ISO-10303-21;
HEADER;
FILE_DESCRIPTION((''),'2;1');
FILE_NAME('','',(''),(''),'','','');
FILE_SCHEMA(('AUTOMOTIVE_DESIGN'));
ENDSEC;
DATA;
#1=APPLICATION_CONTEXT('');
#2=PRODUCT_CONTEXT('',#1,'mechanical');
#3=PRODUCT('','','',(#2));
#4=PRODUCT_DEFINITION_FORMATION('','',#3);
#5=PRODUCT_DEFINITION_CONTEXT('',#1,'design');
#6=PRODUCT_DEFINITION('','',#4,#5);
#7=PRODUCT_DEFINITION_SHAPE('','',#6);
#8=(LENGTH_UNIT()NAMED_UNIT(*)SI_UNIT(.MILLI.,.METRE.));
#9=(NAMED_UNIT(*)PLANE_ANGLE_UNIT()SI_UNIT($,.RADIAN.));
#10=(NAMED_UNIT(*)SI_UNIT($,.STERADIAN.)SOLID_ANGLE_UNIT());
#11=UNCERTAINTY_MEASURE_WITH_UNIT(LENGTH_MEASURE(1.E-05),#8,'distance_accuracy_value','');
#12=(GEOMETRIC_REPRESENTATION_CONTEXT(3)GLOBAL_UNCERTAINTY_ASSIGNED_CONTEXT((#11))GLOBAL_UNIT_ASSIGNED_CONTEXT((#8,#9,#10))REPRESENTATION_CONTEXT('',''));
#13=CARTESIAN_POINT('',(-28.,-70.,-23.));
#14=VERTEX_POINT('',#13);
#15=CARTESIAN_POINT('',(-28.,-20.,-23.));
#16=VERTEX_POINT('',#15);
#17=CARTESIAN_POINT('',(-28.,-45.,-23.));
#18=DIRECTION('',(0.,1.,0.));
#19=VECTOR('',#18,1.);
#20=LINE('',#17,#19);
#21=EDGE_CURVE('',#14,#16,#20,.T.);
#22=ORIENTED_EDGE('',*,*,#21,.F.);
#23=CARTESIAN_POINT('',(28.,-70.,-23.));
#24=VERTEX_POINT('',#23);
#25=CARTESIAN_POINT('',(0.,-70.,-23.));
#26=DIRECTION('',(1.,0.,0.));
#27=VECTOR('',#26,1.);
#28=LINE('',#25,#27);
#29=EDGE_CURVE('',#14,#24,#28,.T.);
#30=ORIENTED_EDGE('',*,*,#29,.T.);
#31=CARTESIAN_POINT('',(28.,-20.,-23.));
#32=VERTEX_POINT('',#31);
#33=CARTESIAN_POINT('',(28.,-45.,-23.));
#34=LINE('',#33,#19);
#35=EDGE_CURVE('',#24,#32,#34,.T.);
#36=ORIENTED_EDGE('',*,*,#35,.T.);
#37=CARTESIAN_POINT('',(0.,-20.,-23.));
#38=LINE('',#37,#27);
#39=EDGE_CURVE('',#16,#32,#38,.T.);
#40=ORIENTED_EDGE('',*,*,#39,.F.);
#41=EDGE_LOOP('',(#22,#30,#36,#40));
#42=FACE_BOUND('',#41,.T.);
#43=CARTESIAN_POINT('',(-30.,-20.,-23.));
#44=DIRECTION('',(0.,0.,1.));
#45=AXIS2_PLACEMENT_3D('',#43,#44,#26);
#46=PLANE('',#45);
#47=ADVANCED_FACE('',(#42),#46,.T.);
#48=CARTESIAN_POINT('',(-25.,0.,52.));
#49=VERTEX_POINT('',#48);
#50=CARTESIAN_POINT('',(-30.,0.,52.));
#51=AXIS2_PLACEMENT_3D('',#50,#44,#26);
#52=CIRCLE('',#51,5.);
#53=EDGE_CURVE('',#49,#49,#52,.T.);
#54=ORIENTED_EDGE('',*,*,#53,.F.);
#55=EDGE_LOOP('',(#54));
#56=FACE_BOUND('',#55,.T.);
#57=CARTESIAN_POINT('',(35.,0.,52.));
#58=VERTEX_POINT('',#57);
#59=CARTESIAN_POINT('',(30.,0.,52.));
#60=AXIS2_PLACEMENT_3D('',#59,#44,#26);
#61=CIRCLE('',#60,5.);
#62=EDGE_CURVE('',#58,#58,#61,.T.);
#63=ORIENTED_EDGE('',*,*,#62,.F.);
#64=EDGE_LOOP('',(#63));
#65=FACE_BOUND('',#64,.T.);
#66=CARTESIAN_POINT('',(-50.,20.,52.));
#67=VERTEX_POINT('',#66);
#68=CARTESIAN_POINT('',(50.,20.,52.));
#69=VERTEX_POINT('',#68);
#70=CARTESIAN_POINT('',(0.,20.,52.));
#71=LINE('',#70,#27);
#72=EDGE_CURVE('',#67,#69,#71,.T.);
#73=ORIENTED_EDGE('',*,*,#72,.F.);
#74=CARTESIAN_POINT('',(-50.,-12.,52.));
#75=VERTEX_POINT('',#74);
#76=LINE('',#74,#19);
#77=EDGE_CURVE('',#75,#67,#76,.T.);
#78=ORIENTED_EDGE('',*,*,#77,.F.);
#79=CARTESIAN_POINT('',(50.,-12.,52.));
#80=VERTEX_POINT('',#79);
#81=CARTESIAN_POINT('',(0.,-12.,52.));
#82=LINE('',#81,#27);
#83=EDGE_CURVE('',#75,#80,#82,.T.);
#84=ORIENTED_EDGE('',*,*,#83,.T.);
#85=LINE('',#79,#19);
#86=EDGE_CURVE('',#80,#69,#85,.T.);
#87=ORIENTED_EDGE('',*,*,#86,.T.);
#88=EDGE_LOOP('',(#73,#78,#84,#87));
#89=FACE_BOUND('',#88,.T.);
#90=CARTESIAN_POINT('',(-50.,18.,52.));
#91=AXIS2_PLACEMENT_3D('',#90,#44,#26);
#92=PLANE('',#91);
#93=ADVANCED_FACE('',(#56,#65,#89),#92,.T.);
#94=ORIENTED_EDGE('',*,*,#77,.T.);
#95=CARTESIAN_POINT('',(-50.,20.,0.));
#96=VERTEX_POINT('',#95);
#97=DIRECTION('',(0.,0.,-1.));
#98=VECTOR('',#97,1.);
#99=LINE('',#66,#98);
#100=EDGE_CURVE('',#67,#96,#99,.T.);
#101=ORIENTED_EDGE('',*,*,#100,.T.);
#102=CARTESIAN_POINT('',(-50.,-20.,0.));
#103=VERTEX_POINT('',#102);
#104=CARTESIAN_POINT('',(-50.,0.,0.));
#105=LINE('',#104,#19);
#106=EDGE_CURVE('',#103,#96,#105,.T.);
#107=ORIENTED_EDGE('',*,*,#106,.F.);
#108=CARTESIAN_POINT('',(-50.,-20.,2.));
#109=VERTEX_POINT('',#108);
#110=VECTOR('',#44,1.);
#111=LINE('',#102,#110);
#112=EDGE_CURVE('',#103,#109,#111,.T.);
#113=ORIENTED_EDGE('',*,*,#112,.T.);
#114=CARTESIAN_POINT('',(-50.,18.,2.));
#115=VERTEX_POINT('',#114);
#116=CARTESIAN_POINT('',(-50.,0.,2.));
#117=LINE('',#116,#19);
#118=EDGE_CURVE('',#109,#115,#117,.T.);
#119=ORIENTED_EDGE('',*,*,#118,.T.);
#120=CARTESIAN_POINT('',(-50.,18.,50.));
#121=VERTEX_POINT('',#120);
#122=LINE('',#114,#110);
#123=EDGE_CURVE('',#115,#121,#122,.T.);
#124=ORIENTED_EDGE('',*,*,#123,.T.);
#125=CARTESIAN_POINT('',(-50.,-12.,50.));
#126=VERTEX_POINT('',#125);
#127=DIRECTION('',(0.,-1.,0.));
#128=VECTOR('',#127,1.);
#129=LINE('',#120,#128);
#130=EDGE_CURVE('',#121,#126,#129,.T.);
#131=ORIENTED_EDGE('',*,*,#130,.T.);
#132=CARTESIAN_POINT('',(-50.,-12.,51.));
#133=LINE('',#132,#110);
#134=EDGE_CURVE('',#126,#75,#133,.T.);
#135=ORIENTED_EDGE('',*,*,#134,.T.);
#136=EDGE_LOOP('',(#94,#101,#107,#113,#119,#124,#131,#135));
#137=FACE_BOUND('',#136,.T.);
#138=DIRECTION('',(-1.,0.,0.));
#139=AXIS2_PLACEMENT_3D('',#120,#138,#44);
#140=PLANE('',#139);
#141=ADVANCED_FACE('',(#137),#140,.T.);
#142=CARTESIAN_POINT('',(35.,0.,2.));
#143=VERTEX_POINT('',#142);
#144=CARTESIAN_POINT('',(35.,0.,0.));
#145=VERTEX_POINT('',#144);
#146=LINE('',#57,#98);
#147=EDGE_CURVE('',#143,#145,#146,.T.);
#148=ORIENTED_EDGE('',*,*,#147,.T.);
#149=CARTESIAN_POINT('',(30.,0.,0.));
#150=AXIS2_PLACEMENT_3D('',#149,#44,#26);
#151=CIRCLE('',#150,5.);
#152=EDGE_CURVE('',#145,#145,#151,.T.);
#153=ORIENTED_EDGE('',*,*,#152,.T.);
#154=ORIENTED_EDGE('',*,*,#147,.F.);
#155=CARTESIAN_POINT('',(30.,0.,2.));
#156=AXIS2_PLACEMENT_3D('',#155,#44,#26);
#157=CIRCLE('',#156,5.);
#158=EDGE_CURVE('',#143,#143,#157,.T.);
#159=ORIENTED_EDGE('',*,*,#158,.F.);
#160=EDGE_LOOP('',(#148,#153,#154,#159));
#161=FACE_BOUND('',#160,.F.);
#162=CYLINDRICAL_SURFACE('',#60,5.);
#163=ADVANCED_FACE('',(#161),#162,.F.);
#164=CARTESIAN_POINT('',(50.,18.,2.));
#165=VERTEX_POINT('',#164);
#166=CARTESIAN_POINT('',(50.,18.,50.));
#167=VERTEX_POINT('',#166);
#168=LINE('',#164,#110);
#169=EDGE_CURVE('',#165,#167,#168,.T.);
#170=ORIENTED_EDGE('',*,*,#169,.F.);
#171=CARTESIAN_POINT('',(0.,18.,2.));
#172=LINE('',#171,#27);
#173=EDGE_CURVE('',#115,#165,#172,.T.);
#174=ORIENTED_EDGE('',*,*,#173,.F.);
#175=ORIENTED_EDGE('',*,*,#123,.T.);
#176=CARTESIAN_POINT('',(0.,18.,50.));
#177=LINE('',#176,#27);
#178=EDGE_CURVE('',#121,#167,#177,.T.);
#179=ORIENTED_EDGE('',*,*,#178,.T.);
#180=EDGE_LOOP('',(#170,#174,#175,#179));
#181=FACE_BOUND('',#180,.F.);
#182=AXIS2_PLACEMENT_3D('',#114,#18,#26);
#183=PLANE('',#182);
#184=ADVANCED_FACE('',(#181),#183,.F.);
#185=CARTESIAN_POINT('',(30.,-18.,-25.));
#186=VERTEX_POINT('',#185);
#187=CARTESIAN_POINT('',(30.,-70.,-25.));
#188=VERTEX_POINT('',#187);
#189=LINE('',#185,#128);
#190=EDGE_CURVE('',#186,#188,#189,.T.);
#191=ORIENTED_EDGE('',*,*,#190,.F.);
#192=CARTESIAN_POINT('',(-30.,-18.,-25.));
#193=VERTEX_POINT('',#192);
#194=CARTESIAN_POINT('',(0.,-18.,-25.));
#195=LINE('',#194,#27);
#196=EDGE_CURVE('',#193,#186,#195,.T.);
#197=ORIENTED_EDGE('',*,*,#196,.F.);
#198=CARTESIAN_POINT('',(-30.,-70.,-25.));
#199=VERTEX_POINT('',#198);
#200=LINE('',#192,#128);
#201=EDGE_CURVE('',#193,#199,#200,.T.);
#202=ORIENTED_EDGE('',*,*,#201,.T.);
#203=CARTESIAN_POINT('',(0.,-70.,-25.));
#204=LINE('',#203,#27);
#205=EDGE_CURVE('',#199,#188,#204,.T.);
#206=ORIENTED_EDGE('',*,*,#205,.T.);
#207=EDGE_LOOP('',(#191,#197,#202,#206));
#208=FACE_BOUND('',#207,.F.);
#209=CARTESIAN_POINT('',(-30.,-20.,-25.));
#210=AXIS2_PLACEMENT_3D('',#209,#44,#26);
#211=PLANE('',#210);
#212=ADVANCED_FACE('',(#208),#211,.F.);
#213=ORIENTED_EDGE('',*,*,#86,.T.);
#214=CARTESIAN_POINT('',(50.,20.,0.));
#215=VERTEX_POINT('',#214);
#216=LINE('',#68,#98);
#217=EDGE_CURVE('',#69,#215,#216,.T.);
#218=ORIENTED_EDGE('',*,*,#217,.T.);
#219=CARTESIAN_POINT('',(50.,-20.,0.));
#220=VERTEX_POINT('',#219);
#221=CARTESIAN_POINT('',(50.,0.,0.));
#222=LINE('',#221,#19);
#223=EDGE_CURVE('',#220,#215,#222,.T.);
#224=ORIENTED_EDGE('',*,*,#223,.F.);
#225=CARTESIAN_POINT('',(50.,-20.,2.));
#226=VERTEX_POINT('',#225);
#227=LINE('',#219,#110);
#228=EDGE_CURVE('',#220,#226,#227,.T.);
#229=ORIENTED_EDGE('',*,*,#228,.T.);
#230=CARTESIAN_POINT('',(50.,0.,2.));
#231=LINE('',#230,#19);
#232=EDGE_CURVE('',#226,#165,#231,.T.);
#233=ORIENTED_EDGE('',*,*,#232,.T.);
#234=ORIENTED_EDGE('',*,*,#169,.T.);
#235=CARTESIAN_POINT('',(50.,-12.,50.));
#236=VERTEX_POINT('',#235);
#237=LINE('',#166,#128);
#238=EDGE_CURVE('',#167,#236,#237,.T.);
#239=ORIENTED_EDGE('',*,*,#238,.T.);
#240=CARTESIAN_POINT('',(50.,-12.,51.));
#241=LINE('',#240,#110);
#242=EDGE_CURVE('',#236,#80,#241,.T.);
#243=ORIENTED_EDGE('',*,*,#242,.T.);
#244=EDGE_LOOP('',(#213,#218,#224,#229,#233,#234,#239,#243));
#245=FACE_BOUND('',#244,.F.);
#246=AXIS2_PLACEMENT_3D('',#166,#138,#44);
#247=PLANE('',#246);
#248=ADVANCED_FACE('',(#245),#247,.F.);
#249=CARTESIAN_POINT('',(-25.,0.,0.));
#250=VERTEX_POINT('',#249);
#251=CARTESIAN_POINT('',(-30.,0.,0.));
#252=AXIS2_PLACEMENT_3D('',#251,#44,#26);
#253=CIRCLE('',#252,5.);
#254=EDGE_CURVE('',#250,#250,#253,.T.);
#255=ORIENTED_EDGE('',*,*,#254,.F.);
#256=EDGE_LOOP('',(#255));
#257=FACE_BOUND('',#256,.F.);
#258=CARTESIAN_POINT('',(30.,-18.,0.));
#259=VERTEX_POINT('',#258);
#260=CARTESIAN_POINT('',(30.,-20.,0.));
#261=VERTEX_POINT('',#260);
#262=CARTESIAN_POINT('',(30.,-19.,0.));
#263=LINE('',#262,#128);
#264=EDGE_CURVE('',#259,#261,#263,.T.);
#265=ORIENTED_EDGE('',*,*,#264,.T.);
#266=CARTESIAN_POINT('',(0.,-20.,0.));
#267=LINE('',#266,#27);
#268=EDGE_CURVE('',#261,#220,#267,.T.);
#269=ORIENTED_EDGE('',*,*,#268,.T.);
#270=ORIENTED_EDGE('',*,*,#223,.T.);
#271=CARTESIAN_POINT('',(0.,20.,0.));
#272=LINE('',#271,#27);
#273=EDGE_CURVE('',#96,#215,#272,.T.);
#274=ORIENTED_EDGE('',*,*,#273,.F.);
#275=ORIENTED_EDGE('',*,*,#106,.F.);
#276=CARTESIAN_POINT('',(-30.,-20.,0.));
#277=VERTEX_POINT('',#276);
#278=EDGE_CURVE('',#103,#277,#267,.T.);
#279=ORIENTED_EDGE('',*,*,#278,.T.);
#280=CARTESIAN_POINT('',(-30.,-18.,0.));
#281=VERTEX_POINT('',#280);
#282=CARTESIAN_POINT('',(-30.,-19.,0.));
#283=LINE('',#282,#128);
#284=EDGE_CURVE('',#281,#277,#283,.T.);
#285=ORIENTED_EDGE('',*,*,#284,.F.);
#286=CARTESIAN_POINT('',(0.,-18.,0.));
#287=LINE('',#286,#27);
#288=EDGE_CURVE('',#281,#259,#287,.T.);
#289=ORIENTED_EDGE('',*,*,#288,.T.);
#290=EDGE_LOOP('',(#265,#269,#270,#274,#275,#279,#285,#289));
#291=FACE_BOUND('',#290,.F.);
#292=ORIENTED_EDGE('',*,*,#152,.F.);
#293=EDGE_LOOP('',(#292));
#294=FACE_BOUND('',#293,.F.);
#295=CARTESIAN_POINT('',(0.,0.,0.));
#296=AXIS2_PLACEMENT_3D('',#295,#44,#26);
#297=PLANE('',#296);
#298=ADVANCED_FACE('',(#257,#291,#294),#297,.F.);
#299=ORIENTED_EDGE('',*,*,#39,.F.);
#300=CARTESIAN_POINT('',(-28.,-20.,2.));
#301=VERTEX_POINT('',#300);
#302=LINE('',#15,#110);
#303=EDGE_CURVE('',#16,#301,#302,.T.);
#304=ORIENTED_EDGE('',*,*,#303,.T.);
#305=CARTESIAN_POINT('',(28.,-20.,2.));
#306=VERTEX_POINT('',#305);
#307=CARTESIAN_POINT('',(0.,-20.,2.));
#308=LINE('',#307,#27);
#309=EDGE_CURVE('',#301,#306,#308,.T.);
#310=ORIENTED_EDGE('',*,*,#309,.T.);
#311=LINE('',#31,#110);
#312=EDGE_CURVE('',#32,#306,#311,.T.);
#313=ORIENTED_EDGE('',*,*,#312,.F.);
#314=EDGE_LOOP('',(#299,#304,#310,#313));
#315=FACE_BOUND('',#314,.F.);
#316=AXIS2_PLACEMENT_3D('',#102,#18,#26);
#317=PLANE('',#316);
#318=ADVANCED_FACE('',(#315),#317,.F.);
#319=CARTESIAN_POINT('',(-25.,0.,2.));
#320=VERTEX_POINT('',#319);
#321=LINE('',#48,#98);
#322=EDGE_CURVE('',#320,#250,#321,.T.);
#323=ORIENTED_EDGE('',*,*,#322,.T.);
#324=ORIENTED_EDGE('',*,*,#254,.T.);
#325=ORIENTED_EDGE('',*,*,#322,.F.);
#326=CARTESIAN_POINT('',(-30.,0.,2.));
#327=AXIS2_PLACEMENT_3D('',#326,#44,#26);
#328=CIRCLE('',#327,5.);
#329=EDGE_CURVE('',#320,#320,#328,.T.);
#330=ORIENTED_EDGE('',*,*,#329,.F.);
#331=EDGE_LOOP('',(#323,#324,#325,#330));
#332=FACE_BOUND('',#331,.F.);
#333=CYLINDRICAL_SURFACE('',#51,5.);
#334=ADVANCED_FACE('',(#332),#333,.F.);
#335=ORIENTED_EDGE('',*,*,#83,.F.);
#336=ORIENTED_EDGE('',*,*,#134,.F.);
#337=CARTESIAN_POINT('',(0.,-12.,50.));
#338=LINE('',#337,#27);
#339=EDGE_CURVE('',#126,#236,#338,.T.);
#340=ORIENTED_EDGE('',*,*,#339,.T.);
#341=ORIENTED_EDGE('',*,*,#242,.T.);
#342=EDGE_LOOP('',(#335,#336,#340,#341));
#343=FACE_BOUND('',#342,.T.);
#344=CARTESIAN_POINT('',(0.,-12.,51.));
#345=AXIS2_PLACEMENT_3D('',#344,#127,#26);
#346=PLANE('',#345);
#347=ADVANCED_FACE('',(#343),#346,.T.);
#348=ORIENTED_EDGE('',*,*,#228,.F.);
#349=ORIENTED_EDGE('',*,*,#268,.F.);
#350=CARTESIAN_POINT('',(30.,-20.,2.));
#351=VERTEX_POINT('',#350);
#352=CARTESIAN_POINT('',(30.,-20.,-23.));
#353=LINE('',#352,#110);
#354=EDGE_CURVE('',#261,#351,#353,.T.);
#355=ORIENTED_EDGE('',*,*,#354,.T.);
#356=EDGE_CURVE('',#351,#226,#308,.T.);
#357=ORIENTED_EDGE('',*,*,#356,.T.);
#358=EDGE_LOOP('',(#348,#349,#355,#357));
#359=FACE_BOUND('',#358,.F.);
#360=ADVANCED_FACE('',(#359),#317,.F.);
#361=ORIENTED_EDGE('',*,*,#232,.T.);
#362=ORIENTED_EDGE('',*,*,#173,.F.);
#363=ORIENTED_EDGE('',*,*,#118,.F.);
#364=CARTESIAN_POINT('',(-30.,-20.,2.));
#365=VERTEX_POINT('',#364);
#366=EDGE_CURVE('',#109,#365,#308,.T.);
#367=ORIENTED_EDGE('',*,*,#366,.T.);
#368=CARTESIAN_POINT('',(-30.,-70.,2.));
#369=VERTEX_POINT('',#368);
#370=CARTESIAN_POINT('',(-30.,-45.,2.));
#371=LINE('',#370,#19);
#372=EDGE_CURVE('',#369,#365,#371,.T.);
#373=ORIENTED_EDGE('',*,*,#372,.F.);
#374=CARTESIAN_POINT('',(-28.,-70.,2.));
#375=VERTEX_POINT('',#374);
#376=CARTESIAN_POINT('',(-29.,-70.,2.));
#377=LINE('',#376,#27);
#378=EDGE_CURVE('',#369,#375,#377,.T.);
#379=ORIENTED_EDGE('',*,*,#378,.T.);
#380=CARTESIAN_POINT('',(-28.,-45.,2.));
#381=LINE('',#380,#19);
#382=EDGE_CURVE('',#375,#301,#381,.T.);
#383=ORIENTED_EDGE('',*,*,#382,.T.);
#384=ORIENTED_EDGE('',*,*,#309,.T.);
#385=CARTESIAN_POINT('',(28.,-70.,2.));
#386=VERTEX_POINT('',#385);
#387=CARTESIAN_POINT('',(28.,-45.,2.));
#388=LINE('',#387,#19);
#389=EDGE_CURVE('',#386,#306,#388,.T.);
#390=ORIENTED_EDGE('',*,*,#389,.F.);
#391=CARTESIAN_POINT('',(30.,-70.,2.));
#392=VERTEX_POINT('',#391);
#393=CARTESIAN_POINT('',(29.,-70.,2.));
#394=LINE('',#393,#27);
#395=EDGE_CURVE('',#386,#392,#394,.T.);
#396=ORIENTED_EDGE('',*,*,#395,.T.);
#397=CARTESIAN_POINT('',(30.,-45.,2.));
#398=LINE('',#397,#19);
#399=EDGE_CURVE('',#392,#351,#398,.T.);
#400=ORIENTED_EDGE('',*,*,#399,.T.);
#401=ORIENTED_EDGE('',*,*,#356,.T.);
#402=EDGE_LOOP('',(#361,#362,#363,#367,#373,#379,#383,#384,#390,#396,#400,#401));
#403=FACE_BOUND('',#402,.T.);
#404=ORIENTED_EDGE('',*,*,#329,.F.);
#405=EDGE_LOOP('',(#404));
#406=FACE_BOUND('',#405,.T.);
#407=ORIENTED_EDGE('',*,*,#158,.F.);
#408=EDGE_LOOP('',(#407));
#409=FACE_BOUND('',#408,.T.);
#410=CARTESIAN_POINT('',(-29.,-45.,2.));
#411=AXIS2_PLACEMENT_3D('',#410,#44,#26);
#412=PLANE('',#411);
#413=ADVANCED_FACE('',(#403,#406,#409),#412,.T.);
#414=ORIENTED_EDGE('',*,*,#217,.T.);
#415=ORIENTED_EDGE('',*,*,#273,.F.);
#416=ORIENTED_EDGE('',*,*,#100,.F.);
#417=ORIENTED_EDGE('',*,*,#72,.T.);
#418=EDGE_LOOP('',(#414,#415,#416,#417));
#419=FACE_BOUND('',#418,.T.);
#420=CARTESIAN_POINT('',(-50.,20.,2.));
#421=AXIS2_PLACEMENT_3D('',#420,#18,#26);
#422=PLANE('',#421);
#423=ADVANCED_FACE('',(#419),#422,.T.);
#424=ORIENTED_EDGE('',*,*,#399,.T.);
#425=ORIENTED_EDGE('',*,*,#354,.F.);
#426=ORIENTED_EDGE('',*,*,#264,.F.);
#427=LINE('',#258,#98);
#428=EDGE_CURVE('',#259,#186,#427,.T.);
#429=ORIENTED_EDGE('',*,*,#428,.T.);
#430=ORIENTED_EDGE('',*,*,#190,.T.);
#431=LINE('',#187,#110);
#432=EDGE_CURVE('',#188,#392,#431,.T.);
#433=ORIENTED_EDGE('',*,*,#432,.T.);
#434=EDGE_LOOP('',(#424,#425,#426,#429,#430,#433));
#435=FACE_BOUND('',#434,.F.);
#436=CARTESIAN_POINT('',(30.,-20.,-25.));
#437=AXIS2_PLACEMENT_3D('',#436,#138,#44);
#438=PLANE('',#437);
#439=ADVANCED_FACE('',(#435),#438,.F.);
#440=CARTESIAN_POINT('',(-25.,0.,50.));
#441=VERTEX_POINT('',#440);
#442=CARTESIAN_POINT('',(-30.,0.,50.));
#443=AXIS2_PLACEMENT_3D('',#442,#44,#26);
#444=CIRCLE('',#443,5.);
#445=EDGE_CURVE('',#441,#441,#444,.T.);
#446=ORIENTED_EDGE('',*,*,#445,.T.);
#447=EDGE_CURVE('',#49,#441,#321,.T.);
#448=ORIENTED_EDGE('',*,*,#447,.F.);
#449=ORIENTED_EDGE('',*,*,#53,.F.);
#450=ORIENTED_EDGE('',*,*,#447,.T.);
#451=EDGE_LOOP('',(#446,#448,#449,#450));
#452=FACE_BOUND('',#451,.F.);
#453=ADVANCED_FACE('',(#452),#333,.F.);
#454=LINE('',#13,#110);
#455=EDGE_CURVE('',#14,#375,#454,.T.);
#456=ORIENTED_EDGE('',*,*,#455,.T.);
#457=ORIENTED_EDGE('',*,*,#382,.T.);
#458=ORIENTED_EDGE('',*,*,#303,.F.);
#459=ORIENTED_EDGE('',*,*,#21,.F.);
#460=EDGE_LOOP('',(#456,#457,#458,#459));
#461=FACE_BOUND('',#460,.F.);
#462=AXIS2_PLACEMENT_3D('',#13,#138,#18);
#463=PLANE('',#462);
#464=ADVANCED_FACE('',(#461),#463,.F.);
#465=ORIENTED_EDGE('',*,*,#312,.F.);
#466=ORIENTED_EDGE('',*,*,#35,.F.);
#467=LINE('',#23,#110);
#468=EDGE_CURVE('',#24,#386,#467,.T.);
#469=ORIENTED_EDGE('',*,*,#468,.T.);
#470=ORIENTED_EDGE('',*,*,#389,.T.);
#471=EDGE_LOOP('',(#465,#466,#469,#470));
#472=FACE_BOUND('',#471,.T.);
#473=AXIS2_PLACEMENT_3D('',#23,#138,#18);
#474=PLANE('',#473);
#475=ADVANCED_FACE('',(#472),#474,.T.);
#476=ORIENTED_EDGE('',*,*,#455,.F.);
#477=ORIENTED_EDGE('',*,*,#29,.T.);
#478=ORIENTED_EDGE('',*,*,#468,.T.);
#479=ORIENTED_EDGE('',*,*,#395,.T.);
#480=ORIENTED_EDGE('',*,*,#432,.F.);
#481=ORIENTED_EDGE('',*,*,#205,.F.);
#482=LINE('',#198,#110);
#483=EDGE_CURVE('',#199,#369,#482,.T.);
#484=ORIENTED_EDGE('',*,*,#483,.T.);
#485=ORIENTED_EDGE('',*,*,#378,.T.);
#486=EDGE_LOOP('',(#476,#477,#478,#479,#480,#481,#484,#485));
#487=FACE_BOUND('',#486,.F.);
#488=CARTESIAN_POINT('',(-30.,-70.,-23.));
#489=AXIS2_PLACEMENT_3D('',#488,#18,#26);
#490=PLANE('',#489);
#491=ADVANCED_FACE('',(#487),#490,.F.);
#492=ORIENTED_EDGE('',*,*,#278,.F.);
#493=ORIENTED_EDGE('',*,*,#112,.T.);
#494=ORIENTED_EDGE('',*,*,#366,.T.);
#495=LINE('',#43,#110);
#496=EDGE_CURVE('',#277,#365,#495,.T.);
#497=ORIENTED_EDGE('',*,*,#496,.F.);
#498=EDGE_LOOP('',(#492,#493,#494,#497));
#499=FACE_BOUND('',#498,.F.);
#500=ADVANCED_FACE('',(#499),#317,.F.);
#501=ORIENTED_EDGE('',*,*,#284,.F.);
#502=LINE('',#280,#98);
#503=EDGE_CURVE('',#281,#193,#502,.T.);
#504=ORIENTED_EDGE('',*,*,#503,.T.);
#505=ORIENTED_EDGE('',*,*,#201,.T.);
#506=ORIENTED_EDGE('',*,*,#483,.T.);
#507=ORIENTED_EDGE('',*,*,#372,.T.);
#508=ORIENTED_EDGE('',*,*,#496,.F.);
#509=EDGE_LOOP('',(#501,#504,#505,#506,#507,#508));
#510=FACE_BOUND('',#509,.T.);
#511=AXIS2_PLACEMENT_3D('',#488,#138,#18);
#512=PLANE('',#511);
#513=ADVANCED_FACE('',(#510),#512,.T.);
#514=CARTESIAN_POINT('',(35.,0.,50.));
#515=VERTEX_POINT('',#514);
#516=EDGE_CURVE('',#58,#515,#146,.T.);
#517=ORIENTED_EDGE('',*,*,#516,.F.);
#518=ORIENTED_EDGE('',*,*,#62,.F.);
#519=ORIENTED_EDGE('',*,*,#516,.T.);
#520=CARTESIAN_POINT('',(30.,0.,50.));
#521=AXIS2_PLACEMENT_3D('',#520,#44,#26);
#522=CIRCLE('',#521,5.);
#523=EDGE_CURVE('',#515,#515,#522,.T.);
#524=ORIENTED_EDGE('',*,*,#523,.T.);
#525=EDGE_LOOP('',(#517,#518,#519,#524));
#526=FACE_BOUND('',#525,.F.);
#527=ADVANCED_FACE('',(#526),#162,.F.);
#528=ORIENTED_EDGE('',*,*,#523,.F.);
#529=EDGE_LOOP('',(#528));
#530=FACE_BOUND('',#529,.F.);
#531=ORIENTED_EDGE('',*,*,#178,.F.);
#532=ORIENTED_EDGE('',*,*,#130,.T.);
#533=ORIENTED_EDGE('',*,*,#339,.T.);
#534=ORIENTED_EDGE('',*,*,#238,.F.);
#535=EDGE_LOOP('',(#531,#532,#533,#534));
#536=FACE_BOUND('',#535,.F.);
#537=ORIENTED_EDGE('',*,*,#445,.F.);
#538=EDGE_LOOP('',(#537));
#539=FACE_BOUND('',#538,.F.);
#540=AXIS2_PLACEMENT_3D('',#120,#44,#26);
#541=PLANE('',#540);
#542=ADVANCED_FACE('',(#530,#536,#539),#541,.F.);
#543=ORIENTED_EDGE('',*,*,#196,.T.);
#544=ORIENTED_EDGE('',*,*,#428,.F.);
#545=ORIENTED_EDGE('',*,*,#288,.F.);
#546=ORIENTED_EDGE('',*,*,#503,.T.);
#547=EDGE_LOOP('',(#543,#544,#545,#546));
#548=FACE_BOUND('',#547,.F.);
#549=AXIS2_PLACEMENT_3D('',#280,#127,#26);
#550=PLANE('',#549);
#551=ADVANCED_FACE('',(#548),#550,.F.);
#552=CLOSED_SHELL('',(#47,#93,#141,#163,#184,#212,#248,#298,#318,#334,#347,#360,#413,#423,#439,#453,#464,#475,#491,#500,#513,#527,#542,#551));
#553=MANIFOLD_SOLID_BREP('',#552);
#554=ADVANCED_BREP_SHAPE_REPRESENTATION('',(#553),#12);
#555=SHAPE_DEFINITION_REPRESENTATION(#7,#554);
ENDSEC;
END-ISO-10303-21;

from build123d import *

# Parameters (mm, degrees)
F0_W      = 100
F0_H      = 40
F1_DEPTH  = 2
F2_W      = 100
F2_H      = 2
F3_DEPTH  = 50
F4_W      = 100
F4_H      = 2
F5_DEPTH  = 30
F6_R      = 5
F7_DEPTH  = 100
F8_W      = 60
F8_H      = 2
F9_DEPTH  = 25
F10_W     = 60
F10_H     = 2
F11_DEPTH = 50
F12_W     = 2
F12_H     = 50
F13_DEPTH = 25


with BuildPart() as f1:
    # F0 (on Top) → F1 (new body)
    with BuildSketch(Plane.XY):
        Rectangle(F0_W, F0_H)
    extrude(amount=F1_DEPTH)

    # F2 (on face) → F3 (join)
    with BuildSketch(Plane.XY.offset(2)):
        with Locations((0, 19)):
            Rectangle(F2_W, F2_H)
    extrude(amount=F3_DEPTH)

    # F4 (on face) → F5 (join)
    with BuildSketch(Plane.XZ.offset(-18)):
        with Locations((0, 51)):
            Rectangle(F4_W, F4_H)
    extrude(amount=F5_DEPTH)

    # F6 (on face) → F7 (cut)
    with BuildSketch(Plane.XY.offset(52)):
        with Locations((30, 0)):
            Circle(F6_R)
        with Locations((-30, 0)):
            Circle(F6_R)
    extrude(amount=-F7_DEPTH, mode=Mode.SUBTRACT)

    # F8 (on face) → F9 (join)
    with BuildSketch(Plane(origin=(0, 0, 0), x_dir=(1, 0, 0), z_dir=(0, 0, -1))):
        with Locations((0, 19)):
            Rectangle(F8_W, F8_H)
    extrude(amount=F9_DEPTH)

    # F10 (on face) → F11 (join)
    with BuildSketch(Plane.XZ.offset(20)):
        with Locations((0, -24)):
            Rectangle(F10_W, F10_H)
    extrude(amount=F11_DEPTH)

    # F12 (on face) → F13 (join)
    with BuildSketch(Plane.XY.offset(-23)):
        with Locations((-29, -45)):
            Rectangle(F12_W, F12_H)
        with Locations((29, -45)):
            Rectangle(F12_W, F12_H)
    extrude(amount=F13_DEPTH)


solid = f1.part
